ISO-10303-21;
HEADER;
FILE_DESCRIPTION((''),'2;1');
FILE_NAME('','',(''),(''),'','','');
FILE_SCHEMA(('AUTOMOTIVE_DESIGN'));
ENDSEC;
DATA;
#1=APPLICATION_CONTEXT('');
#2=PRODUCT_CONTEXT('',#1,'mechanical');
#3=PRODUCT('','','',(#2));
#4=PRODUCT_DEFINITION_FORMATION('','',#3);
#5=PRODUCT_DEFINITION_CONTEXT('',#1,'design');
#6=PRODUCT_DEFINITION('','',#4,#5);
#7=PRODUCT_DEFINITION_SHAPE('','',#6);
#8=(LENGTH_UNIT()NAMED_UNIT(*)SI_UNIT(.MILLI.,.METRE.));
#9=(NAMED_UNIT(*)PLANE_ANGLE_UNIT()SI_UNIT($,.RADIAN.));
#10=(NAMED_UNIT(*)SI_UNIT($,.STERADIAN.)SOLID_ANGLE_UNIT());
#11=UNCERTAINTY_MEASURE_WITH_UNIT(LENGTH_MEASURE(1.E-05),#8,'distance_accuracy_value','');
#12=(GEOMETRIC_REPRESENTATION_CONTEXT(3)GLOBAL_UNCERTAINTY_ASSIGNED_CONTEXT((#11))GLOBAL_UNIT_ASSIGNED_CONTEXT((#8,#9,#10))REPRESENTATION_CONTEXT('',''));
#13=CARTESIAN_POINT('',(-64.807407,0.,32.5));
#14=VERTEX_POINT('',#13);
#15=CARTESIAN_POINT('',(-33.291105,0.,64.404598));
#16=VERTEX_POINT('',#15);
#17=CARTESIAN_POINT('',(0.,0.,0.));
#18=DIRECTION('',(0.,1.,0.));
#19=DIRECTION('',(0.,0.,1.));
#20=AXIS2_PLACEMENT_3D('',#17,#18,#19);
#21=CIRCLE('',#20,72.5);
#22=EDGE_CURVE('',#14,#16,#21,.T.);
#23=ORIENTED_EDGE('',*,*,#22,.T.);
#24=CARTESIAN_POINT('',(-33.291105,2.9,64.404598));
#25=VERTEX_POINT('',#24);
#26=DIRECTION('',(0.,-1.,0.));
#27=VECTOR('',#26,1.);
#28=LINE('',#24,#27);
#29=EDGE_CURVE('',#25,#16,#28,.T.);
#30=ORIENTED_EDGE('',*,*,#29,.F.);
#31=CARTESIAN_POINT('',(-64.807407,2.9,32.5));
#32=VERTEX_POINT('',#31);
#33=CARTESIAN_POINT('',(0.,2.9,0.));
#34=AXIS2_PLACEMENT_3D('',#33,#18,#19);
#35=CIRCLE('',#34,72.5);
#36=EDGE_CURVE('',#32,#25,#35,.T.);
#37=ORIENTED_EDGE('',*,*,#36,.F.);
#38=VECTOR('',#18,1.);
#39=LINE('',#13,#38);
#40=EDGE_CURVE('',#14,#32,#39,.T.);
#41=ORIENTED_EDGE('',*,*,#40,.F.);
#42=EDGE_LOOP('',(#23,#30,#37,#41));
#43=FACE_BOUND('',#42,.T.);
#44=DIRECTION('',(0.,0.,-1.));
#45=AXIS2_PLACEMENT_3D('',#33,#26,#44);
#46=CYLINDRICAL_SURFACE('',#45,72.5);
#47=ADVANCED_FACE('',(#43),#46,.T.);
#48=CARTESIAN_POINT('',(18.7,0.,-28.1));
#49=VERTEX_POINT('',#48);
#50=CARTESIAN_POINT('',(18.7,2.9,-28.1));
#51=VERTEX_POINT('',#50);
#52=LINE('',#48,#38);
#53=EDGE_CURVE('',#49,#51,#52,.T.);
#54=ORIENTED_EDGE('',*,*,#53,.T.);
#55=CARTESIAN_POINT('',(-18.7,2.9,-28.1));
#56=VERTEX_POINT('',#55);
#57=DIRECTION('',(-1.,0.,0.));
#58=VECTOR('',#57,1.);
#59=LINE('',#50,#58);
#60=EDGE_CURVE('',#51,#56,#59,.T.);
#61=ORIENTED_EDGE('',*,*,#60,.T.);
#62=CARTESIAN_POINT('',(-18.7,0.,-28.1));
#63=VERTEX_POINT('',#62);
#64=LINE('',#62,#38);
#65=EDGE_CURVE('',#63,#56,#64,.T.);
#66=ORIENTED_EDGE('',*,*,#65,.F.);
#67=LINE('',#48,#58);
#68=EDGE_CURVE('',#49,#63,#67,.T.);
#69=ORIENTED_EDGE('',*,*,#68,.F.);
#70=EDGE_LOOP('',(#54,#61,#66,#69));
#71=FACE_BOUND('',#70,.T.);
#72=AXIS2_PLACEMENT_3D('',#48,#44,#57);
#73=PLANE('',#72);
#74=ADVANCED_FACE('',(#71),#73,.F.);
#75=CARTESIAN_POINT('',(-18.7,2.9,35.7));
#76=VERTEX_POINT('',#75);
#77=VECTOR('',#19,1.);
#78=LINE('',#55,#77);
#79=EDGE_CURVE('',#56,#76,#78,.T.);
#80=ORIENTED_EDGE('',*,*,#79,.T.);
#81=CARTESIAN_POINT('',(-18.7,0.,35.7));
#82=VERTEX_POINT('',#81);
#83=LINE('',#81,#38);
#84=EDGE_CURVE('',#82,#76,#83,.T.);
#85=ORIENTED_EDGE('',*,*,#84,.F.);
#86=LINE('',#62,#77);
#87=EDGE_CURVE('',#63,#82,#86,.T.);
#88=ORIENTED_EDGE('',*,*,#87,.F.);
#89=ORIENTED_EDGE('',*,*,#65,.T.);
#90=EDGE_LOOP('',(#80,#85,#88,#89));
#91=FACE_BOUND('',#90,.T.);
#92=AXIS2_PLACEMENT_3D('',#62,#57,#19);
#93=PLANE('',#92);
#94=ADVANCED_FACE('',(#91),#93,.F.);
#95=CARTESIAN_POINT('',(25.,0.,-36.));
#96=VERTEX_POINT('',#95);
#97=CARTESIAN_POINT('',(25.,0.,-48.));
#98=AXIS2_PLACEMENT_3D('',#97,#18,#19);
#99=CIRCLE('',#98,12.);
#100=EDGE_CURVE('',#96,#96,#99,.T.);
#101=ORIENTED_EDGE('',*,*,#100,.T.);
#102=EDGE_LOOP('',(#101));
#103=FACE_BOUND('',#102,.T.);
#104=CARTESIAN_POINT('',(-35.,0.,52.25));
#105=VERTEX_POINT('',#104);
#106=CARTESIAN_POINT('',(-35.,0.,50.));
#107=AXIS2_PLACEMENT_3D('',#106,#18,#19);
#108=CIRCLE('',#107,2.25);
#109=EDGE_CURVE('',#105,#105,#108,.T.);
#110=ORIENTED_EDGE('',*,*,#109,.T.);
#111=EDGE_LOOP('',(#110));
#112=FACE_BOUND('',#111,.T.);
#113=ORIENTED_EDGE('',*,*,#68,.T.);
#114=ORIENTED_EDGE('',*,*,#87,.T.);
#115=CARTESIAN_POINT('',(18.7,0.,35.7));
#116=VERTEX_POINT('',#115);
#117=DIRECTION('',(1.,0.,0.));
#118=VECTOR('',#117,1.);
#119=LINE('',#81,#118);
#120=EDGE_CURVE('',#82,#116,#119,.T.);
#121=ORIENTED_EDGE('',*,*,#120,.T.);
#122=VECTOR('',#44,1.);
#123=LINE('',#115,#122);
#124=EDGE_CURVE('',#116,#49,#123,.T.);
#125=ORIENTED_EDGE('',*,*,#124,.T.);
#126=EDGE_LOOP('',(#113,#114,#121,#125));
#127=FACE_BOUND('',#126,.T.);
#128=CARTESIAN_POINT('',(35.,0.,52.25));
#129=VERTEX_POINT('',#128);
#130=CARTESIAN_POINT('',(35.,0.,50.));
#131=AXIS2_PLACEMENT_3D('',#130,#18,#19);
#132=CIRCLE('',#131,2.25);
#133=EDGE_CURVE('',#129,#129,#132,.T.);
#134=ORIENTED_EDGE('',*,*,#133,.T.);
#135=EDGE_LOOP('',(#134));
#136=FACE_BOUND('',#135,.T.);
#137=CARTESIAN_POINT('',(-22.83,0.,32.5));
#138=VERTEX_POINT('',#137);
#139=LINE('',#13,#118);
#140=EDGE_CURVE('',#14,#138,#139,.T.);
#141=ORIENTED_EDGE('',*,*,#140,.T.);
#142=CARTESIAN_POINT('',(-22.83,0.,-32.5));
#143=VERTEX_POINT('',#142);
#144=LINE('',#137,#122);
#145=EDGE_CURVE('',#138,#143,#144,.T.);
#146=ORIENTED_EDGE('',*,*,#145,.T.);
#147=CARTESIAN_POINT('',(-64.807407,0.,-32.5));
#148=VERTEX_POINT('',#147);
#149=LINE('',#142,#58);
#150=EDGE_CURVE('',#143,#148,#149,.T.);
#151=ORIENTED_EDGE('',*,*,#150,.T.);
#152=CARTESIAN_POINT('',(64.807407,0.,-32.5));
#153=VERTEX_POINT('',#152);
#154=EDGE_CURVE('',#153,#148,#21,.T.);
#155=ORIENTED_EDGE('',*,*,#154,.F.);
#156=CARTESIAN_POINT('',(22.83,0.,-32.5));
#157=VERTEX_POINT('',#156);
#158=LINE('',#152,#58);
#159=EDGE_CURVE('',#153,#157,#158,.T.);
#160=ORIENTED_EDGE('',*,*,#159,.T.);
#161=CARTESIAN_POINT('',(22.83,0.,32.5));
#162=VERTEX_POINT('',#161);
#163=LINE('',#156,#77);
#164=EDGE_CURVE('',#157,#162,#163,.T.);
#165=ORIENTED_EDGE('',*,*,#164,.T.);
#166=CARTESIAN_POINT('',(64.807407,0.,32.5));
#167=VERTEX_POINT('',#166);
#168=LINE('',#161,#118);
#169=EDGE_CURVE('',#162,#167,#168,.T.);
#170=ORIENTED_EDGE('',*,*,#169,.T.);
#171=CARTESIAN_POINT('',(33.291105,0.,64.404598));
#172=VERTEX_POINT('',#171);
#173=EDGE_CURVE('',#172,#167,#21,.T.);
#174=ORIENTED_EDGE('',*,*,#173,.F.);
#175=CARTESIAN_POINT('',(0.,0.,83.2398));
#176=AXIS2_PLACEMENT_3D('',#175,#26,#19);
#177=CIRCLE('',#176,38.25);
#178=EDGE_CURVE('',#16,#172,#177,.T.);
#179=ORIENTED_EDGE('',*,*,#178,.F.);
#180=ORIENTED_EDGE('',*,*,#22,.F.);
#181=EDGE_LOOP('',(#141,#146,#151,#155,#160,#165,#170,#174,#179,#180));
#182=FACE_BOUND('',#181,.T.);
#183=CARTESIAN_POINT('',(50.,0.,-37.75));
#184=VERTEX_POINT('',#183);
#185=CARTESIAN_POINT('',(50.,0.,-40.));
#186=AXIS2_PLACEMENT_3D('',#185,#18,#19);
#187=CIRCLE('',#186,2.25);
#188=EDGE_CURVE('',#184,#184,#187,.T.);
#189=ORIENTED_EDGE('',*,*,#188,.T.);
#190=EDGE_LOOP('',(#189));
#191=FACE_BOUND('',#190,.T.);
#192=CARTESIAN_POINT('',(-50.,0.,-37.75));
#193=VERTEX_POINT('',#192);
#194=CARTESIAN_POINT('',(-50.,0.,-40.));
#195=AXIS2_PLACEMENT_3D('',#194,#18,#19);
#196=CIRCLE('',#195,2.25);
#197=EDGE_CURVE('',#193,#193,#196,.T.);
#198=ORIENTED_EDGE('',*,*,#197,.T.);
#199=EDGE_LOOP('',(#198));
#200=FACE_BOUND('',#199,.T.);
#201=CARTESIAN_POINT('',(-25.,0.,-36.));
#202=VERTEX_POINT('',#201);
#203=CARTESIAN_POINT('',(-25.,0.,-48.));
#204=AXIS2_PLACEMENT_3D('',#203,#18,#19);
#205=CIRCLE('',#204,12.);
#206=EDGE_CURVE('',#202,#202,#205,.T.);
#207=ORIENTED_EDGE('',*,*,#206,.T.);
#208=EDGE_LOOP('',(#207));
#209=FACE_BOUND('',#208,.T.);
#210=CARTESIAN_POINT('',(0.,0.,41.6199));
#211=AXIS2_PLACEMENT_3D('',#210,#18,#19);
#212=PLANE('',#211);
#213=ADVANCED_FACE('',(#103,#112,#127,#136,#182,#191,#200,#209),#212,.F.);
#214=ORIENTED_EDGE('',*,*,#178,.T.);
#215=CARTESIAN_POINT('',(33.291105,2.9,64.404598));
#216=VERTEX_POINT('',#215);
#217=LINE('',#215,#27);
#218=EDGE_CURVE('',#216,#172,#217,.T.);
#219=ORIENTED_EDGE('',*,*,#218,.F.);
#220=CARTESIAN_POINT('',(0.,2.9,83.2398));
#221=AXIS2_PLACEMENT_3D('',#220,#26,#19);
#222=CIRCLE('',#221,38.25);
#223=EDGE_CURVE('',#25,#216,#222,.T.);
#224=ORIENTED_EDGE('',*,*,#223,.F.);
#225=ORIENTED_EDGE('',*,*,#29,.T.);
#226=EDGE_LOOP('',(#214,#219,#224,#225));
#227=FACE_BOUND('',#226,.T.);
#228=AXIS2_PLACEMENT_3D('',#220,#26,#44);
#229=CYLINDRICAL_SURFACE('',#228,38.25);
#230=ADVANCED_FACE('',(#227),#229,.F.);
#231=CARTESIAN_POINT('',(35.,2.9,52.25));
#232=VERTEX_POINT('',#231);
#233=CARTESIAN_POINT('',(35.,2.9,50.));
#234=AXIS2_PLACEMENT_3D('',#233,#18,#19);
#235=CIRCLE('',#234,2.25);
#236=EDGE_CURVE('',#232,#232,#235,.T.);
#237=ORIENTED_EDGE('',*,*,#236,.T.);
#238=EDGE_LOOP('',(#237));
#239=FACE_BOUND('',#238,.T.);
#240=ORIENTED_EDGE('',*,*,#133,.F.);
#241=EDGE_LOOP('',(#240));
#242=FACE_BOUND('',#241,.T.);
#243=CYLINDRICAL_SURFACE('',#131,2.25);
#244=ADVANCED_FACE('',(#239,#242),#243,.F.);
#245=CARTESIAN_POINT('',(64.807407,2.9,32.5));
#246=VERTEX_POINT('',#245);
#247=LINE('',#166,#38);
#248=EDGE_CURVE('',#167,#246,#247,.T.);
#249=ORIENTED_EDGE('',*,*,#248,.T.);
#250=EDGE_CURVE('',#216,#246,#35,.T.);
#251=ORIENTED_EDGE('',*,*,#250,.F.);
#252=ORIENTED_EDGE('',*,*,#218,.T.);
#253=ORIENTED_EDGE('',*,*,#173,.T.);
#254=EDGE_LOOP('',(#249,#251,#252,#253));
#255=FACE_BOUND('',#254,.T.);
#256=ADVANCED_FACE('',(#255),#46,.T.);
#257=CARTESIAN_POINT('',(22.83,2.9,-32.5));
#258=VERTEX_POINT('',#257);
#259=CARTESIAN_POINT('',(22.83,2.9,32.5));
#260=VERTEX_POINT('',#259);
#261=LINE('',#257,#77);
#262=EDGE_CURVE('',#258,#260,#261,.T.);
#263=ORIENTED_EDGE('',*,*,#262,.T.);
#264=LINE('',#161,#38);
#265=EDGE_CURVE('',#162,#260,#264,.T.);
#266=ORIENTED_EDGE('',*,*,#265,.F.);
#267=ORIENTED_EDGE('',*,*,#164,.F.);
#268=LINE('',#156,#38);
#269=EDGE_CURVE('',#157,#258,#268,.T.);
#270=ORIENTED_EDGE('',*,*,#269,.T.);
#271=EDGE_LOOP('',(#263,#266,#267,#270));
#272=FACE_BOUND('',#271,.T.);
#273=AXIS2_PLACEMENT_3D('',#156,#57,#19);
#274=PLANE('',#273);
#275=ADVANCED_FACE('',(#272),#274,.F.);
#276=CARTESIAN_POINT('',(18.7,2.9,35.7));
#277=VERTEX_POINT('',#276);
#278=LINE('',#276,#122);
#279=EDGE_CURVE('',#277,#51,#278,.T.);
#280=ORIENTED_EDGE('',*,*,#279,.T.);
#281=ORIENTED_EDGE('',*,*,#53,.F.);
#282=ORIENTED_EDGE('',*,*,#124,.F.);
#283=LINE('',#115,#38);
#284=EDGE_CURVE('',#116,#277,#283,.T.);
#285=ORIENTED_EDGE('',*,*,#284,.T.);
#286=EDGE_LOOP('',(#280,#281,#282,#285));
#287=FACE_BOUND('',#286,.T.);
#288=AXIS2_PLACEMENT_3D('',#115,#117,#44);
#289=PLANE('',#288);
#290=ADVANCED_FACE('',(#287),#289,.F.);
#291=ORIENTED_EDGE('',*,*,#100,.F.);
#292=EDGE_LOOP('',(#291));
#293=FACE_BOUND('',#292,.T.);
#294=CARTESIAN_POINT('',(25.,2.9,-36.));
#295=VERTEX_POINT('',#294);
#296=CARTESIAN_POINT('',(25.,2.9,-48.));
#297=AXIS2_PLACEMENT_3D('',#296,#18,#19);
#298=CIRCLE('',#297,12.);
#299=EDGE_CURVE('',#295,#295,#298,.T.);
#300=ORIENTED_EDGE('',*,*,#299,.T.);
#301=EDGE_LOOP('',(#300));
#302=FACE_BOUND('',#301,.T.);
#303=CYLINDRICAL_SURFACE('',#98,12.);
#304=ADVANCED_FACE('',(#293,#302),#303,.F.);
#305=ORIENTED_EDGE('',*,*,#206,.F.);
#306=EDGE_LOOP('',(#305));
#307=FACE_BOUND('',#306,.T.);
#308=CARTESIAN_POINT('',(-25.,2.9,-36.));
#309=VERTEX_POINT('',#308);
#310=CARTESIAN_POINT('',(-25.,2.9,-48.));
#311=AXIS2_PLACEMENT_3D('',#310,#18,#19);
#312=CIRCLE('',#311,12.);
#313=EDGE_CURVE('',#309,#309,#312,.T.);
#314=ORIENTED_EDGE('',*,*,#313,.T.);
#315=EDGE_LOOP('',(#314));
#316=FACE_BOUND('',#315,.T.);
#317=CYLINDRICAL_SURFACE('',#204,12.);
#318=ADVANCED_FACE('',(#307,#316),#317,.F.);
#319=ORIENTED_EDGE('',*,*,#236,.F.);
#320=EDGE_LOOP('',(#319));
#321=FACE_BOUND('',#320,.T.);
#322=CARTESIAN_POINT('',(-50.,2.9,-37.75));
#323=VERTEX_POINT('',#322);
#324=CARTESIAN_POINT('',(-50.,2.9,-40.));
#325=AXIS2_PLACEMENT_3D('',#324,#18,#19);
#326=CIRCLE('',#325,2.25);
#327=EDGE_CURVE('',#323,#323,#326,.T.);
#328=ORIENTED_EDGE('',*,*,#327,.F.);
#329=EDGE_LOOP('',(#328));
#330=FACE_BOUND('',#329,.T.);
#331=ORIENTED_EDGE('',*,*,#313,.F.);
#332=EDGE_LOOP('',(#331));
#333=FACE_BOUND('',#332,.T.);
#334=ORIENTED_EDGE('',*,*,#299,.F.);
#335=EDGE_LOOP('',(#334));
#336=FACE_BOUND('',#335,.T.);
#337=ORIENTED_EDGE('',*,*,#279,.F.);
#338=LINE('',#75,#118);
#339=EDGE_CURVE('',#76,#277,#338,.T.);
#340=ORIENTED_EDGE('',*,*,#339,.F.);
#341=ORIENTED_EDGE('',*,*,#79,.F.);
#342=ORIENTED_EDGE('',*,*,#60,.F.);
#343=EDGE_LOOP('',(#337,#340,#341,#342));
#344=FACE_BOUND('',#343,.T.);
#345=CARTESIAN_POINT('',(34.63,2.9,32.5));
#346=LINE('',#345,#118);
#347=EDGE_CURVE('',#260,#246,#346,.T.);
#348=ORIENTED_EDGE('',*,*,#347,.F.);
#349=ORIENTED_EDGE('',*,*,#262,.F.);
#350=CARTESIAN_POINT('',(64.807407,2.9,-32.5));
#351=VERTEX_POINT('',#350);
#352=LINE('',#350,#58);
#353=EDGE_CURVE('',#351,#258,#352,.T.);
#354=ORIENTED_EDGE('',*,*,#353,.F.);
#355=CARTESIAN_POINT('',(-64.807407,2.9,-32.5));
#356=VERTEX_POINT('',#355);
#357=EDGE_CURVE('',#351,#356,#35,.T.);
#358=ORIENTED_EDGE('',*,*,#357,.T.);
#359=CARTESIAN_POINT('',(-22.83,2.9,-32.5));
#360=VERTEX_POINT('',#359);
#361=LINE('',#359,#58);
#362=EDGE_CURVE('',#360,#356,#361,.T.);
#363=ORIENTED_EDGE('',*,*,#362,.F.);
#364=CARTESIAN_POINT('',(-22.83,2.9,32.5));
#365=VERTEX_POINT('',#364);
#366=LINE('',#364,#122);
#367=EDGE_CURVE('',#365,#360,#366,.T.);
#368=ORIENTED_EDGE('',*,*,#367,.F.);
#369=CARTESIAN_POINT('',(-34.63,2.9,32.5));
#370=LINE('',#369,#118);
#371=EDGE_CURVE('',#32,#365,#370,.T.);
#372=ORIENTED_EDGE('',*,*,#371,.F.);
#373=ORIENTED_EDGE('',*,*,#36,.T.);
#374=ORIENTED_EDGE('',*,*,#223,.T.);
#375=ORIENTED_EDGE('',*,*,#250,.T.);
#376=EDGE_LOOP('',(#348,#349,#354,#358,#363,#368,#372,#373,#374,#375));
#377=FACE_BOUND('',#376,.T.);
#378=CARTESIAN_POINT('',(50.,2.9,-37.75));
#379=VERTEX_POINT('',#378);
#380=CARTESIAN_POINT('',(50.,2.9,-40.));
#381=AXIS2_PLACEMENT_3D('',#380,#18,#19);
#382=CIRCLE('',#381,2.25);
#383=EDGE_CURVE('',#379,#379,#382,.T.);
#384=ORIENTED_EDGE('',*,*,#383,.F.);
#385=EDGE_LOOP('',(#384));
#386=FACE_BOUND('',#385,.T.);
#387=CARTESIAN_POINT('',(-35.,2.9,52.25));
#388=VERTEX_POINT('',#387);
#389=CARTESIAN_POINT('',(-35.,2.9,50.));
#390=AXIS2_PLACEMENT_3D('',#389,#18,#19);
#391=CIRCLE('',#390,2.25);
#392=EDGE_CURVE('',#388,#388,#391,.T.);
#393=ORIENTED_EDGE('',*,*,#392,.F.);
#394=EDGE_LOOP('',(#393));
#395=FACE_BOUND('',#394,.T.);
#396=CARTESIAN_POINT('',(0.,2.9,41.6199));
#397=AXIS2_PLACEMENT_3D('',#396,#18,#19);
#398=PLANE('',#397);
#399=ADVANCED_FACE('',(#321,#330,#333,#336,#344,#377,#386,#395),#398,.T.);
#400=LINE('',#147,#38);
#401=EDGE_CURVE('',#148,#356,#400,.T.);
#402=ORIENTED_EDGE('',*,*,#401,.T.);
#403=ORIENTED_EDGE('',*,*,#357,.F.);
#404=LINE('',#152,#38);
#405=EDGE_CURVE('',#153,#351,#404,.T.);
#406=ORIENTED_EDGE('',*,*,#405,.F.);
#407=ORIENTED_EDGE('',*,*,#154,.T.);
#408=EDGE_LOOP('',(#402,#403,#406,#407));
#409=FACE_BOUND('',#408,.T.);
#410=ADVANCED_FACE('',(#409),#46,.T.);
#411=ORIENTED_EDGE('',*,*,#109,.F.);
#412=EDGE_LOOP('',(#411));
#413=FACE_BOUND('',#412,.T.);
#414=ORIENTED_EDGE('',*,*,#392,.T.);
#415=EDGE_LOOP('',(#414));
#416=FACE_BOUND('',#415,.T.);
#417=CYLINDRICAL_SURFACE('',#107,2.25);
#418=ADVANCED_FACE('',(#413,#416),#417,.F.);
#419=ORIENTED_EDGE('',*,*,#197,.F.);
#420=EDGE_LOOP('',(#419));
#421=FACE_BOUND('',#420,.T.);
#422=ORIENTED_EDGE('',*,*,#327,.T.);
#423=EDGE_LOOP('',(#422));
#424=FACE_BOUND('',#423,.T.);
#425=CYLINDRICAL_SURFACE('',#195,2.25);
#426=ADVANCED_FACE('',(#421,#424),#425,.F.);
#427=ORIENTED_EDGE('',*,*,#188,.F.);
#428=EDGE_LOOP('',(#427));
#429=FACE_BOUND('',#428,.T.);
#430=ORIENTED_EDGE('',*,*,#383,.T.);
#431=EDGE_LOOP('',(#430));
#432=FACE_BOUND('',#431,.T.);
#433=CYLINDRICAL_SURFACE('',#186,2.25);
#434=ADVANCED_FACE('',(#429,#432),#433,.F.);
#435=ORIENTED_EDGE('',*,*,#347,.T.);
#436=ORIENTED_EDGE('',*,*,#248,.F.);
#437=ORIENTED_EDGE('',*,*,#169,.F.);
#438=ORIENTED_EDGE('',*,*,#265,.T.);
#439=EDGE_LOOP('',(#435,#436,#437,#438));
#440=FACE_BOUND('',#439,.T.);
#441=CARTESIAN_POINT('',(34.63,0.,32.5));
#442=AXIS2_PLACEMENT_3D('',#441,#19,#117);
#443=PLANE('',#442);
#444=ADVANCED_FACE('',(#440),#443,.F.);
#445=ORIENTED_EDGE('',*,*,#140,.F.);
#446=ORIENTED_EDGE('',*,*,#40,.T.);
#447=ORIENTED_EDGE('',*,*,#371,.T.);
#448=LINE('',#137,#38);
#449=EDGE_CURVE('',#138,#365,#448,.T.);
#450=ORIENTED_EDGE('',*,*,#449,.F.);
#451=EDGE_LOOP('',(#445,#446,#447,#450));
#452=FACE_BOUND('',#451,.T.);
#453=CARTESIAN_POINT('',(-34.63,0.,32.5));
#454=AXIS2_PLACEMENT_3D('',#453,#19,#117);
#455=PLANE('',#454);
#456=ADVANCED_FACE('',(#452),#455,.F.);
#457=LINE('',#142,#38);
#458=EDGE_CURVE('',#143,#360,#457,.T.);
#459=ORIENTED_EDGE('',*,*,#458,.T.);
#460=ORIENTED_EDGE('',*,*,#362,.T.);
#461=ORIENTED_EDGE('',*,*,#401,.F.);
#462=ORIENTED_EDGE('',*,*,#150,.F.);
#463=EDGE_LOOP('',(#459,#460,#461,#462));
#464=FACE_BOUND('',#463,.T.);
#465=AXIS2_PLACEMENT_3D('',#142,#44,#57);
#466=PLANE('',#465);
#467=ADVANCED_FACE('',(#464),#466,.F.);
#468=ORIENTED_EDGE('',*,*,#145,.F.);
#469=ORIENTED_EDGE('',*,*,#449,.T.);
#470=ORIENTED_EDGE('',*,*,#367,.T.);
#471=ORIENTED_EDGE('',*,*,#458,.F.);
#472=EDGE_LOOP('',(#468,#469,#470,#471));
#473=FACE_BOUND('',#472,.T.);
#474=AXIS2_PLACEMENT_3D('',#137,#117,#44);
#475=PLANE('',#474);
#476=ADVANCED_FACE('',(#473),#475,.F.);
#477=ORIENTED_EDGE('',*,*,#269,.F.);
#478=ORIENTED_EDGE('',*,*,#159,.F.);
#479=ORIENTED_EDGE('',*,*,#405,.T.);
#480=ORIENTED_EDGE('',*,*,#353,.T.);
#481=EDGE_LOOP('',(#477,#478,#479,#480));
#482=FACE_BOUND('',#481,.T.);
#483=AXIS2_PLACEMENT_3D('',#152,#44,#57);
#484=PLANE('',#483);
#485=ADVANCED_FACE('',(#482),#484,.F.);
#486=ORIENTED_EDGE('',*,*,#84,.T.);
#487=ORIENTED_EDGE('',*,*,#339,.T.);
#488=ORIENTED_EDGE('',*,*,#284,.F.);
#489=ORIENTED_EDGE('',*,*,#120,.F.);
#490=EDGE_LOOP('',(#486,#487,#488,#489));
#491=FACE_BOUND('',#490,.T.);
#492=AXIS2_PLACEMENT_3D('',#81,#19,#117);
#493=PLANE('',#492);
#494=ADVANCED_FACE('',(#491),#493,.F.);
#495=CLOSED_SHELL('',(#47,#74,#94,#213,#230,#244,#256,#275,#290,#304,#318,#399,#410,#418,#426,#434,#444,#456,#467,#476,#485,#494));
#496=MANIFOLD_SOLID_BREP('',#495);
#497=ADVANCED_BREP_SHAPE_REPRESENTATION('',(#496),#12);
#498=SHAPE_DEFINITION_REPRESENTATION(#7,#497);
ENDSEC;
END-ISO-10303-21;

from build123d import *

# Parameters (mm, degrees)
BOSS_EXTRUDE1_DEPTH  = 2.9
SOLENOID_PLACEMENT_W = 37.4
SOLENOID_PLACEMENT_H = 63.8
CUT_EXTRUDE1_DEPTH   = 103.571487266
CUT_EXTRUDE2_DEPTH   = 103.571487266
SKETCH3_R            = 12
CUT_EXTRUDE3_DEPTH   = 98.286484159
SKETCH4_R            = 2.25
CUT_EXTRUDE4_DEPTH   = 98.416066437


with BuildPart() as part:
    # Sketch1 → Boss-Extrude1 (new body)
    with BuildSketch(Plane(origin=(0, 0, 0), x_dir=(1, 0, 0), z_dir=(0, 1, 0))):
        with BuildLine():
            ThreePointArc((33.29110537, -64.404598464), (0, 72.5), (-33.29110537, -64.404598464))
            ThreePointArc((-33.29110537, -64.404598464), (0, -44.989799638), (33.29110537, -64.404598464))
        make_face()
    extrude(amount=BOSS_EXTRUDE1_DEPTH)

    # solenoid placement → Cut-Extrude1 (cut, through all)
    with BuildSketch(Plane(origin=(0, 2.9, 0), x_dir=(1, 0, 0), z_dir=(0, 1, 0))):
        with Locations((0, -3.8)):
            Rectangle(SOLENOID_PLACEMENT_W, SOLENOID_PLACEMENT_H)
    extrude(amount=-CUT_EXTRUDE1_DEPTH, mode=Mode.SUBTRACT)

    # Sketch2 → Cut-Extrude2 (cut, through all)
    with BuildSketch(Plane(origin=(0, 2.9, 0), x_dir=(1, 0, 0), z_dir=(0, 1, 0))):
        with BuildLine():
            Line((-34.63, -32.5), (-22.83, -32.5))
            Line((-22.83, -32.5), (-22.83, 32.5))
            Line((-22.83, 32.5), (-64.807406984, 32.5))
            ThreePointArc((-64.807406984, 32.5), (-72.5, 0), (-64.807406984, -32.5))
            Line((-64.807406984, -32.5), (-34.63, -32.5))
        make_face()
        with BuildLine():
            Line((34.63, -32.5), (64.807406984, -32.5))
            ThreePointArc((64.807406984, -32.5), (72.5, 0), (64.807406984, 32.5))
            Line((64.807406984, 32.5), (22.83, 32.5))
            Line((22.83, 32.5), (22.83, -32.5))
            Line((22.83, -32.5), (34.63, -32.5))
        make_face()
    extrude(amount=-CUT_EXTRUDE2_DEPTH, mode=Mode.SUBTRACT)

    # Sketch3 → Cut-Extrude3 (cut, through all)
    with BuildSketch(Plane(origin=(0, 2.9, 0), x_dir=(1, 0, 0), z_dir=(0, 1, 0))):
        with Locations(Location((25, 48, 0), (0, 0, 270))):
            Circle(SKETCH3_R)
        with Locations(Location((-25, 48, 0), (0, 0, 270))):
            Circle(SKETCH3_R)
    extrude(amount=-CUT_EXTRUDE3_DEPTH, mode=Mode.SUBTRACT)

    # Sketch4 → Cut-Extrude4 (cut, through all)
    with BuildSketch(Plane(origin=(0, 5.8, 0), x_dir=(1, 0, 0), z_dir=(0, 1, 0))):
        with Locations(Location((35, -50, 0), (0, 0, 270))):
            Circle(SKETCH4_R)
        with Locations(Location((-35, -50, 0), (0, 0, 270))):
            Circle(SKETCH4_R)
        with Locations(Location((-50, 40, 0), (0, 0, 270))):
            Circle(SKETCH4_R)
        with Locations(Location((50, 40, 0), (0, 0, 270))):
            Circle(SKETCH4_R)
    extrude(amount=-CUT_EXTRUDE4_DEPTH, mode=Mode.SUBTRACT)


solid = part.part
